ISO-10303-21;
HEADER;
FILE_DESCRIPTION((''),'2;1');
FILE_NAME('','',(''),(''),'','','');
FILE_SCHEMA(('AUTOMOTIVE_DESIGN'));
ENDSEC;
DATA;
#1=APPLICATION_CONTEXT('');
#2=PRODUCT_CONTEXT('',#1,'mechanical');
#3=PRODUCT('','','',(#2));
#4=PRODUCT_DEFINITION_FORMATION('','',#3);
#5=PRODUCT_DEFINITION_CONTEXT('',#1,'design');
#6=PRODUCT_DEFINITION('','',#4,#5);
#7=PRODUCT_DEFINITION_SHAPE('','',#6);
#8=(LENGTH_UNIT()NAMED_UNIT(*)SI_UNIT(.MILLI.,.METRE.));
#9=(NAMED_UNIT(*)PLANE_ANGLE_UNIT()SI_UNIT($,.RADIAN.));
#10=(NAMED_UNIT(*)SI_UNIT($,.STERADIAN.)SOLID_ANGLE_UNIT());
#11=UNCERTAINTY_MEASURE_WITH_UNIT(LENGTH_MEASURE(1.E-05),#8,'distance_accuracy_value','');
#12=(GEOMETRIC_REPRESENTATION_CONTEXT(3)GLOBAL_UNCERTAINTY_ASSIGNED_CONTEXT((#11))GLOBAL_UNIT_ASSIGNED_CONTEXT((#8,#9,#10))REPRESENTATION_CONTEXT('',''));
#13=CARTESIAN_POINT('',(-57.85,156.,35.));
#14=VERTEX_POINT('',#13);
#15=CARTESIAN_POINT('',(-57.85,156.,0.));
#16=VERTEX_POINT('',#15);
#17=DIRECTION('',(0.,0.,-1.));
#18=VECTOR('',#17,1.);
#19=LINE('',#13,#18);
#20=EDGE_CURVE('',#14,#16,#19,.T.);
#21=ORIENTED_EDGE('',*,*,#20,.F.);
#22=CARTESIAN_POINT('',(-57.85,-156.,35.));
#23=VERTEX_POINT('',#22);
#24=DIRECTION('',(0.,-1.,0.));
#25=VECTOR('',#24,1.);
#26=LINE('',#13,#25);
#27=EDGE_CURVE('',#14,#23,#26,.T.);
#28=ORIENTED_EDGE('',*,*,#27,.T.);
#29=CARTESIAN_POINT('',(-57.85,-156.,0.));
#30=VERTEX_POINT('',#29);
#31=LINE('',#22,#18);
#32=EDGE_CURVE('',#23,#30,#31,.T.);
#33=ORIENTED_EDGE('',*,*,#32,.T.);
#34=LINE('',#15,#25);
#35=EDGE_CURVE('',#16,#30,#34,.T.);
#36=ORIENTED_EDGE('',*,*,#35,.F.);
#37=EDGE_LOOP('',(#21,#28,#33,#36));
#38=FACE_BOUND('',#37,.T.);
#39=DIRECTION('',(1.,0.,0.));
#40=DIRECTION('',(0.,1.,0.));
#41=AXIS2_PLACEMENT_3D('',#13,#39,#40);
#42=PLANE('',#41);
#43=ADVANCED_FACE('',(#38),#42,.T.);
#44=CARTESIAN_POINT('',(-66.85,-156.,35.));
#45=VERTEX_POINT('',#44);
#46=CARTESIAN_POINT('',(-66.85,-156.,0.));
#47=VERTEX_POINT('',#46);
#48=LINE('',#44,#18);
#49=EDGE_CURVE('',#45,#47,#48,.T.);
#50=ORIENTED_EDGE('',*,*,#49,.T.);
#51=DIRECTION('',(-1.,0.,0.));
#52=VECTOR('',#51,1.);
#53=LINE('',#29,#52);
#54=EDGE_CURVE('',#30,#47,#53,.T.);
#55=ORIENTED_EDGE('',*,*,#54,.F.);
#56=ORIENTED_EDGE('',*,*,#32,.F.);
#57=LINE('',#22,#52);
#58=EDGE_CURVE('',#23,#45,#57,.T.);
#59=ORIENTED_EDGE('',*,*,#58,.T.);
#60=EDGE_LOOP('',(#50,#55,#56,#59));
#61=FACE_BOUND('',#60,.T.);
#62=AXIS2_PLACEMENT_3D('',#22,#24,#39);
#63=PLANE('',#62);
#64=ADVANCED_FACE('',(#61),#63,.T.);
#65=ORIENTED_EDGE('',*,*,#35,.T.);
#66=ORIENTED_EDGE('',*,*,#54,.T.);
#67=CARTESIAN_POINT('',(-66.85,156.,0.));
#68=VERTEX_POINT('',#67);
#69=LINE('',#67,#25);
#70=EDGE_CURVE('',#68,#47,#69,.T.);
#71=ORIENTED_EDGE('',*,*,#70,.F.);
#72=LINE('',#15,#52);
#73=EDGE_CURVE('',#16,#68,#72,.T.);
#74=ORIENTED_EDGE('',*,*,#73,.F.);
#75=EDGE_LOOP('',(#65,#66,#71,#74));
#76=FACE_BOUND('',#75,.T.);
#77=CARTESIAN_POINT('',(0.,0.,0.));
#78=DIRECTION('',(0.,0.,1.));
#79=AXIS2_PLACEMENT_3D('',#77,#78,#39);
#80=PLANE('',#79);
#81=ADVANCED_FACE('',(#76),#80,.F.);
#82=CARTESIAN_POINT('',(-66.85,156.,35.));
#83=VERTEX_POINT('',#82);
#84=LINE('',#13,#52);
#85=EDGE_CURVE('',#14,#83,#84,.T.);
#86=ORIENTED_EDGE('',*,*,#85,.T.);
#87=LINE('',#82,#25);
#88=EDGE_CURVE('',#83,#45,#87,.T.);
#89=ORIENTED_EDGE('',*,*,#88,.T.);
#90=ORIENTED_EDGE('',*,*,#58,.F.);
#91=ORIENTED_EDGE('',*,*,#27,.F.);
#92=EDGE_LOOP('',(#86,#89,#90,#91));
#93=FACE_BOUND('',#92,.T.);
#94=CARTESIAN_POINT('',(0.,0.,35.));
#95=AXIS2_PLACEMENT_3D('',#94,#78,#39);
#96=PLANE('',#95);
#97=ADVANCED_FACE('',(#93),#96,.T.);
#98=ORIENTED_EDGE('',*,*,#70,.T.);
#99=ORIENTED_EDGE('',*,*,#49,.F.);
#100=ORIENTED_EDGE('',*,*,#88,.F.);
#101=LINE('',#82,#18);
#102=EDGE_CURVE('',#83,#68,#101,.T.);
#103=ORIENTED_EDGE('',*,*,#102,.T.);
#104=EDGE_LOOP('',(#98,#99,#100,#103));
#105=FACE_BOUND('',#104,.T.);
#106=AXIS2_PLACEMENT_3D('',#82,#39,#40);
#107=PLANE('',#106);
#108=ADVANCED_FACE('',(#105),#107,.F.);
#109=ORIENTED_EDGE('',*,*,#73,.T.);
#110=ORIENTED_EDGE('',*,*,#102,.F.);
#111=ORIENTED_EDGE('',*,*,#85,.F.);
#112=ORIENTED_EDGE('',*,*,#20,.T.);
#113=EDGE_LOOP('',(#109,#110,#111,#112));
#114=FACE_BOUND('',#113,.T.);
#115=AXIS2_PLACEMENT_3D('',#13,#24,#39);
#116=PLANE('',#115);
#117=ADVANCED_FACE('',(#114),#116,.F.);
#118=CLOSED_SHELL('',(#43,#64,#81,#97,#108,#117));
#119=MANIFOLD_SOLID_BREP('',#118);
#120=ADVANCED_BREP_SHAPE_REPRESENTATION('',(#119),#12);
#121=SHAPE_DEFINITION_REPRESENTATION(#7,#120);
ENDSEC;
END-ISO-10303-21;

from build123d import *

# Parameters (mm, degrees)
ESQUISSE1_W        = 9
ESQUISSE1_H        = 312
BOSS_EXTRU_1_DEPTH = 35


with BuildPart() as part:
    # Esquisse1 → Boss.-Extru.1 (new body)
    with BuildSketch(Plane.XY):
        with Locations((-62.35, 0)):
            Rectangle(ESQUISSE1_W, ESQUISSE1_H)
    extrude(amount=BOSS_EXTRU_1_DEPTH)


solid = part.part
